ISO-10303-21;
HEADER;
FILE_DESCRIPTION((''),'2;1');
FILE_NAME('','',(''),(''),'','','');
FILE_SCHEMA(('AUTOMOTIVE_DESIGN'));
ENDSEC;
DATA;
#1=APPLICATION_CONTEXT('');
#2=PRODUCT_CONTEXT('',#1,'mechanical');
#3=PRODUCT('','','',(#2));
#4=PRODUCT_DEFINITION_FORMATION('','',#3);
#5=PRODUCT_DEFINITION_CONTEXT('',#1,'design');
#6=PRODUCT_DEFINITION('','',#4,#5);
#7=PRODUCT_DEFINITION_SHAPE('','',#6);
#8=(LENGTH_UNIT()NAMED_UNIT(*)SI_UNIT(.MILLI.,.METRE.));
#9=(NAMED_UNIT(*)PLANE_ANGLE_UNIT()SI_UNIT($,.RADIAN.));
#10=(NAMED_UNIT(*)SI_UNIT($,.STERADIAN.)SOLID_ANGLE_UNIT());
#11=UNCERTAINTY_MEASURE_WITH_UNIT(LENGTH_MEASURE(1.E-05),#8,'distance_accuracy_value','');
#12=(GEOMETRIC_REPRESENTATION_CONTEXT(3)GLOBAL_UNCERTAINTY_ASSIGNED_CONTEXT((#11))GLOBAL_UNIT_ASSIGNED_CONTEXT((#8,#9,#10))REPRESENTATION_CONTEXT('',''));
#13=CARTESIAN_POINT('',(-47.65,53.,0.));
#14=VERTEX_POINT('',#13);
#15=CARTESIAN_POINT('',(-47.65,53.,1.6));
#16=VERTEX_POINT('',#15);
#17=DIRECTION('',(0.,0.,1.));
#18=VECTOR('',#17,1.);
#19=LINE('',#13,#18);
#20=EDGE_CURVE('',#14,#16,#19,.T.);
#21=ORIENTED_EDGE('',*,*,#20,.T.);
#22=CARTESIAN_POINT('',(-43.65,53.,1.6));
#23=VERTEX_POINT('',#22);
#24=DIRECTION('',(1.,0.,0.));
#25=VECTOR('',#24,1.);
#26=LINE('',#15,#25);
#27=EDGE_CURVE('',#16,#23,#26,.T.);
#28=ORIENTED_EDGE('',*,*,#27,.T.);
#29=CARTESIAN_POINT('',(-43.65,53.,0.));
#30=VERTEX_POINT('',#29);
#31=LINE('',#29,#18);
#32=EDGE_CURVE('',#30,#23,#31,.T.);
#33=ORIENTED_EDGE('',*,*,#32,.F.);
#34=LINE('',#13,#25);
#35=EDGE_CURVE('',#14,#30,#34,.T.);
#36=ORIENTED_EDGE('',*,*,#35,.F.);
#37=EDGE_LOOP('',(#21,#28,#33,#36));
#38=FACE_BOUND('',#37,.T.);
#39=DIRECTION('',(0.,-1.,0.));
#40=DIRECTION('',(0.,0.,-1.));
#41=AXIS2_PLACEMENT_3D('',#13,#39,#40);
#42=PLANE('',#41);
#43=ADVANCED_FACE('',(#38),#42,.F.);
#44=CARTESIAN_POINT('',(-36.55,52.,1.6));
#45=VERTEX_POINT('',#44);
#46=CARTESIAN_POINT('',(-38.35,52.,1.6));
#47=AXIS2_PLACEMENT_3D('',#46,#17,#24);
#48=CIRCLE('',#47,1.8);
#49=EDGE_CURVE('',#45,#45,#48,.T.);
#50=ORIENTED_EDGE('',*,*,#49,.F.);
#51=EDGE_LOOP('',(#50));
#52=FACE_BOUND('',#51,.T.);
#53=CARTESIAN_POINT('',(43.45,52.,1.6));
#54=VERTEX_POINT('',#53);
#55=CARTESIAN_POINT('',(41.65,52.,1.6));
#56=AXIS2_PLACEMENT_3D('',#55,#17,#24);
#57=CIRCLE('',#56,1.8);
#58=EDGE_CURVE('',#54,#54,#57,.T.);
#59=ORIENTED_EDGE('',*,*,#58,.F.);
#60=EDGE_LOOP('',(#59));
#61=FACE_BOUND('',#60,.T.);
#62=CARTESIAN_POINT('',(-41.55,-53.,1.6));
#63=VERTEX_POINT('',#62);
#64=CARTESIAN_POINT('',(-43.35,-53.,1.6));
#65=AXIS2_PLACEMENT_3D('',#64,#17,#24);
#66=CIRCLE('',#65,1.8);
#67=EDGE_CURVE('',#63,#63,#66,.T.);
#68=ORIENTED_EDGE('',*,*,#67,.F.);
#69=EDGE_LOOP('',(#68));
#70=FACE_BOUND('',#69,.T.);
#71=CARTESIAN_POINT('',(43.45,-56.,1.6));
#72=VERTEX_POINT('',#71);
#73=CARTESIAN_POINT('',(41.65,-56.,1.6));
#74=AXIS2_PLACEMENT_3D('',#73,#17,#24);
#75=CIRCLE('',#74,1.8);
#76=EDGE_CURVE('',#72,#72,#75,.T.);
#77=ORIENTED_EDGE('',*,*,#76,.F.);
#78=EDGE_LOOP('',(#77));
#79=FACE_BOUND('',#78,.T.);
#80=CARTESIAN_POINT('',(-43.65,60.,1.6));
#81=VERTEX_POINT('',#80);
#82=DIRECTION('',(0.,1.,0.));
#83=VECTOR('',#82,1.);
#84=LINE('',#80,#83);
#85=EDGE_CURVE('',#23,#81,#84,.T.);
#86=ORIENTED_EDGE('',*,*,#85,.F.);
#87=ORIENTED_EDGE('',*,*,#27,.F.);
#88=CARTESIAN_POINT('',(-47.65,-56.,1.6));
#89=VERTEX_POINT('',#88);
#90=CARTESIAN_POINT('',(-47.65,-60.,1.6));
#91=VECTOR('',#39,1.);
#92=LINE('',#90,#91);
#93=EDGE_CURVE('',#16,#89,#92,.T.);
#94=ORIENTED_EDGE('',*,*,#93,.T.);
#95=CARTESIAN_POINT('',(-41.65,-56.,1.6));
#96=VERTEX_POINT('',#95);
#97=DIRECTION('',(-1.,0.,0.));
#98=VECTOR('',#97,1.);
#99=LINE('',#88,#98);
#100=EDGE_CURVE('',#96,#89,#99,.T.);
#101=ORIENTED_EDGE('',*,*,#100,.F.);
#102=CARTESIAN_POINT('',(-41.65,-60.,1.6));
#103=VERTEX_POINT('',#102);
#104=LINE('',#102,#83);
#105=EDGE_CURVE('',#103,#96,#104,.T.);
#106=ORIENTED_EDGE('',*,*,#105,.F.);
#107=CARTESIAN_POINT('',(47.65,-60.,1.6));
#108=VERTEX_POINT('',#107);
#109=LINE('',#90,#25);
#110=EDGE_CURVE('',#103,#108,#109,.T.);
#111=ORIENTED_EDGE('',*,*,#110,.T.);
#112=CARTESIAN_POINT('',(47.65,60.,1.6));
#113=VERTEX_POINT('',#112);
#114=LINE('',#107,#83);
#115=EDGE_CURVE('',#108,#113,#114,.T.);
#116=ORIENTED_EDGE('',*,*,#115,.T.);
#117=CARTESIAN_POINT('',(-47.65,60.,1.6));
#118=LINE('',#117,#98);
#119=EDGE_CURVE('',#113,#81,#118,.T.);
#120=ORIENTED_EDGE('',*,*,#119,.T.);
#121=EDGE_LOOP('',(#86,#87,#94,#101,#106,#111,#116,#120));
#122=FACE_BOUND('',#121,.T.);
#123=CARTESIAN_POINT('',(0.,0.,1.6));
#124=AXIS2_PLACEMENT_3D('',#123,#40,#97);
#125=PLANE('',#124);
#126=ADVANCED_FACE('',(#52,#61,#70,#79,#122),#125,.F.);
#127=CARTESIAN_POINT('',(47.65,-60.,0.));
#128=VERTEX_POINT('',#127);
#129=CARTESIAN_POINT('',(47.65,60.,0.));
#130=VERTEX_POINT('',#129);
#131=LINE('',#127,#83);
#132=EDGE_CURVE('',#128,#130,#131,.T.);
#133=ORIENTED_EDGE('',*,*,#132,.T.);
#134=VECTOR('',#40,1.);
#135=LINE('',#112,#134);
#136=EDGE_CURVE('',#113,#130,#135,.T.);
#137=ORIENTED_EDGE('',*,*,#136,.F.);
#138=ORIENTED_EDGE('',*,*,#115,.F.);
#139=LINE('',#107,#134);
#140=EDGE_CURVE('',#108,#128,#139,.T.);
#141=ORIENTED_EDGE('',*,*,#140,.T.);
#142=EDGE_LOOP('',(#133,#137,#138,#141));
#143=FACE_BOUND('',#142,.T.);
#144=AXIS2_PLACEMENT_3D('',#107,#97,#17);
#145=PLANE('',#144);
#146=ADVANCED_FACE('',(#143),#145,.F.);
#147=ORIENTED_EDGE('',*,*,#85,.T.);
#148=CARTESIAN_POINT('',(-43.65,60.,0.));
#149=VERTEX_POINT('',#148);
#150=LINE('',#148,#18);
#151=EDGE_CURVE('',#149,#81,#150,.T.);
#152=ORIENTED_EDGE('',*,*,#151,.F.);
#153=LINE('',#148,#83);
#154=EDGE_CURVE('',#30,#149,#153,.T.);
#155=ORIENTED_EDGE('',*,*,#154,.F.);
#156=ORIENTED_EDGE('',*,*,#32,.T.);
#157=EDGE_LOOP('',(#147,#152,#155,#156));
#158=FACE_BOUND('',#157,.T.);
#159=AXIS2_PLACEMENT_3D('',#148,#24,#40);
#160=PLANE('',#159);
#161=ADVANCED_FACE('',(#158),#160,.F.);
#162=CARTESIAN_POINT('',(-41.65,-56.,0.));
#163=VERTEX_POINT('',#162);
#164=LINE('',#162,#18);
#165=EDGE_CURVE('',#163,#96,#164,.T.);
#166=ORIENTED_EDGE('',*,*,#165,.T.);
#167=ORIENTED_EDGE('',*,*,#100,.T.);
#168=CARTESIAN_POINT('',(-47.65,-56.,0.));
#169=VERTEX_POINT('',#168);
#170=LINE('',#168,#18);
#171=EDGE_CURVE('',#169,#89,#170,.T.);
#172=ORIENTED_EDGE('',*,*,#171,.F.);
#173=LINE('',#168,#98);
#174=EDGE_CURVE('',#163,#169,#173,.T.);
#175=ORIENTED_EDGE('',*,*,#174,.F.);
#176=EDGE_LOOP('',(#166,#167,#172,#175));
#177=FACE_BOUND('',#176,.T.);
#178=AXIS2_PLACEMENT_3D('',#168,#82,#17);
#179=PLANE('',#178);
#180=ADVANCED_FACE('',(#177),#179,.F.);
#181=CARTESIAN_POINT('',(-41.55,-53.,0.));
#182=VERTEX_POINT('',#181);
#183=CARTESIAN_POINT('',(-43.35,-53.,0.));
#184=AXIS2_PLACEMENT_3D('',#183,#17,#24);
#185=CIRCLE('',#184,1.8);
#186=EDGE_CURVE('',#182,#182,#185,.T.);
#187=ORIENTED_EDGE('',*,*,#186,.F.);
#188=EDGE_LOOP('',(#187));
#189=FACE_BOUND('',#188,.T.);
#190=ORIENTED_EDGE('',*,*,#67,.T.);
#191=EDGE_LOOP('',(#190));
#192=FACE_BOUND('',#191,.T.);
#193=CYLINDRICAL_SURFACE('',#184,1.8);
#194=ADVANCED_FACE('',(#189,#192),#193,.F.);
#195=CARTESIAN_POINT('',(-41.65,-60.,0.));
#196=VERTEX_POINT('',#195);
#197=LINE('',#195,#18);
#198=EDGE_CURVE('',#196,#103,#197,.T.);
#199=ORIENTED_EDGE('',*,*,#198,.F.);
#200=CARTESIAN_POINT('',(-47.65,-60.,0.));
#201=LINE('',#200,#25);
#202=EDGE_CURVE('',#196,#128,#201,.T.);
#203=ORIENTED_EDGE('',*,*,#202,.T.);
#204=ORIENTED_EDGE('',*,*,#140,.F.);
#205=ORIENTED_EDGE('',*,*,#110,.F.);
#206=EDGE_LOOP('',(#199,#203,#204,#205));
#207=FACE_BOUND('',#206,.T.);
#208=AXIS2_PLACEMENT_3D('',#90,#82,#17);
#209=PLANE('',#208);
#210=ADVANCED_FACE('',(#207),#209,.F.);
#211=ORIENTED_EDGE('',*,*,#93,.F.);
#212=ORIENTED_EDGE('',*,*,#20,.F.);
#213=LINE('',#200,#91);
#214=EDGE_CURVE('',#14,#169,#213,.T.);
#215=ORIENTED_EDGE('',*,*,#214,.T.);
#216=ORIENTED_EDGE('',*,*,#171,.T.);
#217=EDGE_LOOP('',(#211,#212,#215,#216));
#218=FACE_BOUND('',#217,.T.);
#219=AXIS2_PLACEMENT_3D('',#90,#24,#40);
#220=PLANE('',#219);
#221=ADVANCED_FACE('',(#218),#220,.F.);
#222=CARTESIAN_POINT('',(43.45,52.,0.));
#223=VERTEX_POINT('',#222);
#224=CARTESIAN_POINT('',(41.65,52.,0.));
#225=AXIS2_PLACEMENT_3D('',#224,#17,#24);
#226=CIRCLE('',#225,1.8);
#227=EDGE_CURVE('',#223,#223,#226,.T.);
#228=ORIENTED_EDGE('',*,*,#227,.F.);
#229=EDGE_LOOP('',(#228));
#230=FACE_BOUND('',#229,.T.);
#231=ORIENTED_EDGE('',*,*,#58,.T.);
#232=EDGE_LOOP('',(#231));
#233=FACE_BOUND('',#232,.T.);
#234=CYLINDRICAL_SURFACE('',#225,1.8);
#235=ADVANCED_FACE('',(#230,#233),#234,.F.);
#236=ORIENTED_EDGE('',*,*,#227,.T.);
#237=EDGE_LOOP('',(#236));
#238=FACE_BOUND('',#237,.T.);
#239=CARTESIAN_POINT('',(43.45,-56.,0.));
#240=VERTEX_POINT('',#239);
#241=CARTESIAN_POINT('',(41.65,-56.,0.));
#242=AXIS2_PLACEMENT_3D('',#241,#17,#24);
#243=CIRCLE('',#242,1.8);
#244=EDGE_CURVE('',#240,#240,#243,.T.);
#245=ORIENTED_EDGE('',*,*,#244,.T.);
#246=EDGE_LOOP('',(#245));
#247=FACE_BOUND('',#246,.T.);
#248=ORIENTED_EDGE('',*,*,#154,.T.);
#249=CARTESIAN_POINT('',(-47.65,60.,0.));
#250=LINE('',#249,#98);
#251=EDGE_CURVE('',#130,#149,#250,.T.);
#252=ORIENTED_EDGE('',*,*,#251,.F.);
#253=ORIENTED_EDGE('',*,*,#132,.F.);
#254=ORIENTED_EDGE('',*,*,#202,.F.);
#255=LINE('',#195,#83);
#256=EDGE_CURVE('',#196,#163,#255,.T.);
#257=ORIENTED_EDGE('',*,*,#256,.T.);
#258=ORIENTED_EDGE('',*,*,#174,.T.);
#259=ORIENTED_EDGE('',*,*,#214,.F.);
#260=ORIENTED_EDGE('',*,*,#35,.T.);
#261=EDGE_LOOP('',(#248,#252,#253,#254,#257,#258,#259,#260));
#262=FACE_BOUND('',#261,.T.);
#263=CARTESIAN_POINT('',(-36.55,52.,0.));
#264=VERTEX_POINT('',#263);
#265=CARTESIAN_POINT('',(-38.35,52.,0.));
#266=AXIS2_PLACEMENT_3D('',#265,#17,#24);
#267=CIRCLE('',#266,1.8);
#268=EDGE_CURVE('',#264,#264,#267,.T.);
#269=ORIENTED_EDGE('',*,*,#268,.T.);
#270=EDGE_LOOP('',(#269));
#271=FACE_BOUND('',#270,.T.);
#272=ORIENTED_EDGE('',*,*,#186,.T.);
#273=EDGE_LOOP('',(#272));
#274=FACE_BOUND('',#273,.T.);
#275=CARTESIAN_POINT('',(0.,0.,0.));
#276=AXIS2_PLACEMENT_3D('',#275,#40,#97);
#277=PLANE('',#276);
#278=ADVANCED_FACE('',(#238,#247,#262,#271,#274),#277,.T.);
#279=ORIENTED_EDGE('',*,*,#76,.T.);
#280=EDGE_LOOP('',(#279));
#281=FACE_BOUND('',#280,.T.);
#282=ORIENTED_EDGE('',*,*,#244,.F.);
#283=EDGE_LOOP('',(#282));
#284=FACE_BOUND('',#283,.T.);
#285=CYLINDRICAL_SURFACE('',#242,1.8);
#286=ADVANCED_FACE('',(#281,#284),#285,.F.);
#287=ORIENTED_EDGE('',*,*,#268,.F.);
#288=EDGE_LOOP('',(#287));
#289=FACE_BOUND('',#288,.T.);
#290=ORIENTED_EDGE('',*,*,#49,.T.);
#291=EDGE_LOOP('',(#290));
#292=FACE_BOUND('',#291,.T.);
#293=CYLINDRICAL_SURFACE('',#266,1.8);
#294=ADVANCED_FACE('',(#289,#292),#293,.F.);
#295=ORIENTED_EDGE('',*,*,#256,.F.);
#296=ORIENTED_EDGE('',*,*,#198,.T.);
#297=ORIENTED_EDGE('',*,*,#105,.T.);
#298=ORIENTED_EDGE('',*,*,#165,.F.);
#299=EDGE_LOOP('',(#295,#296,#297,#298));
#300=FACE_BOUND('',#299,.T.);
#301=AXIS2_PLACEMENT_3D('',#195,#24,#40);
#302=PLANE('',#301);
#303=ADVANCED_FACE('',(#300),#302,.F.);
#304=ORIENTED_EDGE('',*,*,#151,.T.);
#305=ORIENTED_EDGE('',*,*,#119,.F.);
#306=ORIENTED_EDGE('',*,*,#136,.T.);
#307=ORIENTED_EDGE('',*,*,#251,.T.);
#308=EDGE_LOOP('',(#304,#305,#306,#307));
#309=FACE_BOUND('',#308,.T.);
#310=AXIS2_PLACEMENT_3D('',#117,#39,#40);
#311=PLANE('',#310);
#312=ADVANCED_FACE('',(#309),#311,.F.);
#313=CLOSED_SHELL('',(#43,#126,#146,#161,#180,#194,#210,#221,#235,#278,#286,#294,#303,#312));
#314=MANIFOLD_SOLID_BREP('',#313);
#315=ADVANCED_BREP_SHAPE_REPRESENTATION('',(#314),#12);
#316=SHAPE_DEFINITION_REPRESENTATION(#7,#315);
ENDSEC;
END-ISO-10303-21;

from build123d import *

# Parameters (mm, degrees)
SKETCH_2_W          = 95.3
SKETCH_2_H          = 120
EXTRUDE_2_DEPTH     = 1.6
SKETCH_3_R          = 1.8
SKETCH_3_W          = 4
SKETCH_3_H          = 7
SKETCH_3_W_2        = 6
SKETCH_3_H_2        = 4
CUT_EXTRUDE_1_DEPTH = 2.6


with BuildPart() as part:
    # 스케치2 → 보스-돌출2 (new body)
    with BuildSketch(Plane.XY):
        Rectangle(SKETCH_2_W, SKETCH_2_H)
    extrude(amount=EXTRUDE_2_DEPTH)

    # 스케치3 → 컷-돌출1 (cut, through all)
    with BuildSketch(Plane.XY.offset(1.6)):
        with Locations((-38.35, 52)):
            Circle(SKETCH_3_R)
        with Locations((41.65, 52)):
            Circle(SKETCH_3_R)
        with Locations((41.65, -56)):
            Circle(SKETCH_3_R)
        with Locations((-43.35, -53)):
            Circle(SKETCH_3_R)
        with Locations((-45.65, 56.5)):
            Rectangle(SKETCH_3_W, SKETCH_3_H)
        with Locations((-44.65, -58)):
            Rectangle(SKETCH_3_W_2, SKETCH_3_H_2)
    extrude(amount=-CUT_EXTRUDE_1_DEPTH, mode=Mode.SUBTRACT)


solid = part.part
